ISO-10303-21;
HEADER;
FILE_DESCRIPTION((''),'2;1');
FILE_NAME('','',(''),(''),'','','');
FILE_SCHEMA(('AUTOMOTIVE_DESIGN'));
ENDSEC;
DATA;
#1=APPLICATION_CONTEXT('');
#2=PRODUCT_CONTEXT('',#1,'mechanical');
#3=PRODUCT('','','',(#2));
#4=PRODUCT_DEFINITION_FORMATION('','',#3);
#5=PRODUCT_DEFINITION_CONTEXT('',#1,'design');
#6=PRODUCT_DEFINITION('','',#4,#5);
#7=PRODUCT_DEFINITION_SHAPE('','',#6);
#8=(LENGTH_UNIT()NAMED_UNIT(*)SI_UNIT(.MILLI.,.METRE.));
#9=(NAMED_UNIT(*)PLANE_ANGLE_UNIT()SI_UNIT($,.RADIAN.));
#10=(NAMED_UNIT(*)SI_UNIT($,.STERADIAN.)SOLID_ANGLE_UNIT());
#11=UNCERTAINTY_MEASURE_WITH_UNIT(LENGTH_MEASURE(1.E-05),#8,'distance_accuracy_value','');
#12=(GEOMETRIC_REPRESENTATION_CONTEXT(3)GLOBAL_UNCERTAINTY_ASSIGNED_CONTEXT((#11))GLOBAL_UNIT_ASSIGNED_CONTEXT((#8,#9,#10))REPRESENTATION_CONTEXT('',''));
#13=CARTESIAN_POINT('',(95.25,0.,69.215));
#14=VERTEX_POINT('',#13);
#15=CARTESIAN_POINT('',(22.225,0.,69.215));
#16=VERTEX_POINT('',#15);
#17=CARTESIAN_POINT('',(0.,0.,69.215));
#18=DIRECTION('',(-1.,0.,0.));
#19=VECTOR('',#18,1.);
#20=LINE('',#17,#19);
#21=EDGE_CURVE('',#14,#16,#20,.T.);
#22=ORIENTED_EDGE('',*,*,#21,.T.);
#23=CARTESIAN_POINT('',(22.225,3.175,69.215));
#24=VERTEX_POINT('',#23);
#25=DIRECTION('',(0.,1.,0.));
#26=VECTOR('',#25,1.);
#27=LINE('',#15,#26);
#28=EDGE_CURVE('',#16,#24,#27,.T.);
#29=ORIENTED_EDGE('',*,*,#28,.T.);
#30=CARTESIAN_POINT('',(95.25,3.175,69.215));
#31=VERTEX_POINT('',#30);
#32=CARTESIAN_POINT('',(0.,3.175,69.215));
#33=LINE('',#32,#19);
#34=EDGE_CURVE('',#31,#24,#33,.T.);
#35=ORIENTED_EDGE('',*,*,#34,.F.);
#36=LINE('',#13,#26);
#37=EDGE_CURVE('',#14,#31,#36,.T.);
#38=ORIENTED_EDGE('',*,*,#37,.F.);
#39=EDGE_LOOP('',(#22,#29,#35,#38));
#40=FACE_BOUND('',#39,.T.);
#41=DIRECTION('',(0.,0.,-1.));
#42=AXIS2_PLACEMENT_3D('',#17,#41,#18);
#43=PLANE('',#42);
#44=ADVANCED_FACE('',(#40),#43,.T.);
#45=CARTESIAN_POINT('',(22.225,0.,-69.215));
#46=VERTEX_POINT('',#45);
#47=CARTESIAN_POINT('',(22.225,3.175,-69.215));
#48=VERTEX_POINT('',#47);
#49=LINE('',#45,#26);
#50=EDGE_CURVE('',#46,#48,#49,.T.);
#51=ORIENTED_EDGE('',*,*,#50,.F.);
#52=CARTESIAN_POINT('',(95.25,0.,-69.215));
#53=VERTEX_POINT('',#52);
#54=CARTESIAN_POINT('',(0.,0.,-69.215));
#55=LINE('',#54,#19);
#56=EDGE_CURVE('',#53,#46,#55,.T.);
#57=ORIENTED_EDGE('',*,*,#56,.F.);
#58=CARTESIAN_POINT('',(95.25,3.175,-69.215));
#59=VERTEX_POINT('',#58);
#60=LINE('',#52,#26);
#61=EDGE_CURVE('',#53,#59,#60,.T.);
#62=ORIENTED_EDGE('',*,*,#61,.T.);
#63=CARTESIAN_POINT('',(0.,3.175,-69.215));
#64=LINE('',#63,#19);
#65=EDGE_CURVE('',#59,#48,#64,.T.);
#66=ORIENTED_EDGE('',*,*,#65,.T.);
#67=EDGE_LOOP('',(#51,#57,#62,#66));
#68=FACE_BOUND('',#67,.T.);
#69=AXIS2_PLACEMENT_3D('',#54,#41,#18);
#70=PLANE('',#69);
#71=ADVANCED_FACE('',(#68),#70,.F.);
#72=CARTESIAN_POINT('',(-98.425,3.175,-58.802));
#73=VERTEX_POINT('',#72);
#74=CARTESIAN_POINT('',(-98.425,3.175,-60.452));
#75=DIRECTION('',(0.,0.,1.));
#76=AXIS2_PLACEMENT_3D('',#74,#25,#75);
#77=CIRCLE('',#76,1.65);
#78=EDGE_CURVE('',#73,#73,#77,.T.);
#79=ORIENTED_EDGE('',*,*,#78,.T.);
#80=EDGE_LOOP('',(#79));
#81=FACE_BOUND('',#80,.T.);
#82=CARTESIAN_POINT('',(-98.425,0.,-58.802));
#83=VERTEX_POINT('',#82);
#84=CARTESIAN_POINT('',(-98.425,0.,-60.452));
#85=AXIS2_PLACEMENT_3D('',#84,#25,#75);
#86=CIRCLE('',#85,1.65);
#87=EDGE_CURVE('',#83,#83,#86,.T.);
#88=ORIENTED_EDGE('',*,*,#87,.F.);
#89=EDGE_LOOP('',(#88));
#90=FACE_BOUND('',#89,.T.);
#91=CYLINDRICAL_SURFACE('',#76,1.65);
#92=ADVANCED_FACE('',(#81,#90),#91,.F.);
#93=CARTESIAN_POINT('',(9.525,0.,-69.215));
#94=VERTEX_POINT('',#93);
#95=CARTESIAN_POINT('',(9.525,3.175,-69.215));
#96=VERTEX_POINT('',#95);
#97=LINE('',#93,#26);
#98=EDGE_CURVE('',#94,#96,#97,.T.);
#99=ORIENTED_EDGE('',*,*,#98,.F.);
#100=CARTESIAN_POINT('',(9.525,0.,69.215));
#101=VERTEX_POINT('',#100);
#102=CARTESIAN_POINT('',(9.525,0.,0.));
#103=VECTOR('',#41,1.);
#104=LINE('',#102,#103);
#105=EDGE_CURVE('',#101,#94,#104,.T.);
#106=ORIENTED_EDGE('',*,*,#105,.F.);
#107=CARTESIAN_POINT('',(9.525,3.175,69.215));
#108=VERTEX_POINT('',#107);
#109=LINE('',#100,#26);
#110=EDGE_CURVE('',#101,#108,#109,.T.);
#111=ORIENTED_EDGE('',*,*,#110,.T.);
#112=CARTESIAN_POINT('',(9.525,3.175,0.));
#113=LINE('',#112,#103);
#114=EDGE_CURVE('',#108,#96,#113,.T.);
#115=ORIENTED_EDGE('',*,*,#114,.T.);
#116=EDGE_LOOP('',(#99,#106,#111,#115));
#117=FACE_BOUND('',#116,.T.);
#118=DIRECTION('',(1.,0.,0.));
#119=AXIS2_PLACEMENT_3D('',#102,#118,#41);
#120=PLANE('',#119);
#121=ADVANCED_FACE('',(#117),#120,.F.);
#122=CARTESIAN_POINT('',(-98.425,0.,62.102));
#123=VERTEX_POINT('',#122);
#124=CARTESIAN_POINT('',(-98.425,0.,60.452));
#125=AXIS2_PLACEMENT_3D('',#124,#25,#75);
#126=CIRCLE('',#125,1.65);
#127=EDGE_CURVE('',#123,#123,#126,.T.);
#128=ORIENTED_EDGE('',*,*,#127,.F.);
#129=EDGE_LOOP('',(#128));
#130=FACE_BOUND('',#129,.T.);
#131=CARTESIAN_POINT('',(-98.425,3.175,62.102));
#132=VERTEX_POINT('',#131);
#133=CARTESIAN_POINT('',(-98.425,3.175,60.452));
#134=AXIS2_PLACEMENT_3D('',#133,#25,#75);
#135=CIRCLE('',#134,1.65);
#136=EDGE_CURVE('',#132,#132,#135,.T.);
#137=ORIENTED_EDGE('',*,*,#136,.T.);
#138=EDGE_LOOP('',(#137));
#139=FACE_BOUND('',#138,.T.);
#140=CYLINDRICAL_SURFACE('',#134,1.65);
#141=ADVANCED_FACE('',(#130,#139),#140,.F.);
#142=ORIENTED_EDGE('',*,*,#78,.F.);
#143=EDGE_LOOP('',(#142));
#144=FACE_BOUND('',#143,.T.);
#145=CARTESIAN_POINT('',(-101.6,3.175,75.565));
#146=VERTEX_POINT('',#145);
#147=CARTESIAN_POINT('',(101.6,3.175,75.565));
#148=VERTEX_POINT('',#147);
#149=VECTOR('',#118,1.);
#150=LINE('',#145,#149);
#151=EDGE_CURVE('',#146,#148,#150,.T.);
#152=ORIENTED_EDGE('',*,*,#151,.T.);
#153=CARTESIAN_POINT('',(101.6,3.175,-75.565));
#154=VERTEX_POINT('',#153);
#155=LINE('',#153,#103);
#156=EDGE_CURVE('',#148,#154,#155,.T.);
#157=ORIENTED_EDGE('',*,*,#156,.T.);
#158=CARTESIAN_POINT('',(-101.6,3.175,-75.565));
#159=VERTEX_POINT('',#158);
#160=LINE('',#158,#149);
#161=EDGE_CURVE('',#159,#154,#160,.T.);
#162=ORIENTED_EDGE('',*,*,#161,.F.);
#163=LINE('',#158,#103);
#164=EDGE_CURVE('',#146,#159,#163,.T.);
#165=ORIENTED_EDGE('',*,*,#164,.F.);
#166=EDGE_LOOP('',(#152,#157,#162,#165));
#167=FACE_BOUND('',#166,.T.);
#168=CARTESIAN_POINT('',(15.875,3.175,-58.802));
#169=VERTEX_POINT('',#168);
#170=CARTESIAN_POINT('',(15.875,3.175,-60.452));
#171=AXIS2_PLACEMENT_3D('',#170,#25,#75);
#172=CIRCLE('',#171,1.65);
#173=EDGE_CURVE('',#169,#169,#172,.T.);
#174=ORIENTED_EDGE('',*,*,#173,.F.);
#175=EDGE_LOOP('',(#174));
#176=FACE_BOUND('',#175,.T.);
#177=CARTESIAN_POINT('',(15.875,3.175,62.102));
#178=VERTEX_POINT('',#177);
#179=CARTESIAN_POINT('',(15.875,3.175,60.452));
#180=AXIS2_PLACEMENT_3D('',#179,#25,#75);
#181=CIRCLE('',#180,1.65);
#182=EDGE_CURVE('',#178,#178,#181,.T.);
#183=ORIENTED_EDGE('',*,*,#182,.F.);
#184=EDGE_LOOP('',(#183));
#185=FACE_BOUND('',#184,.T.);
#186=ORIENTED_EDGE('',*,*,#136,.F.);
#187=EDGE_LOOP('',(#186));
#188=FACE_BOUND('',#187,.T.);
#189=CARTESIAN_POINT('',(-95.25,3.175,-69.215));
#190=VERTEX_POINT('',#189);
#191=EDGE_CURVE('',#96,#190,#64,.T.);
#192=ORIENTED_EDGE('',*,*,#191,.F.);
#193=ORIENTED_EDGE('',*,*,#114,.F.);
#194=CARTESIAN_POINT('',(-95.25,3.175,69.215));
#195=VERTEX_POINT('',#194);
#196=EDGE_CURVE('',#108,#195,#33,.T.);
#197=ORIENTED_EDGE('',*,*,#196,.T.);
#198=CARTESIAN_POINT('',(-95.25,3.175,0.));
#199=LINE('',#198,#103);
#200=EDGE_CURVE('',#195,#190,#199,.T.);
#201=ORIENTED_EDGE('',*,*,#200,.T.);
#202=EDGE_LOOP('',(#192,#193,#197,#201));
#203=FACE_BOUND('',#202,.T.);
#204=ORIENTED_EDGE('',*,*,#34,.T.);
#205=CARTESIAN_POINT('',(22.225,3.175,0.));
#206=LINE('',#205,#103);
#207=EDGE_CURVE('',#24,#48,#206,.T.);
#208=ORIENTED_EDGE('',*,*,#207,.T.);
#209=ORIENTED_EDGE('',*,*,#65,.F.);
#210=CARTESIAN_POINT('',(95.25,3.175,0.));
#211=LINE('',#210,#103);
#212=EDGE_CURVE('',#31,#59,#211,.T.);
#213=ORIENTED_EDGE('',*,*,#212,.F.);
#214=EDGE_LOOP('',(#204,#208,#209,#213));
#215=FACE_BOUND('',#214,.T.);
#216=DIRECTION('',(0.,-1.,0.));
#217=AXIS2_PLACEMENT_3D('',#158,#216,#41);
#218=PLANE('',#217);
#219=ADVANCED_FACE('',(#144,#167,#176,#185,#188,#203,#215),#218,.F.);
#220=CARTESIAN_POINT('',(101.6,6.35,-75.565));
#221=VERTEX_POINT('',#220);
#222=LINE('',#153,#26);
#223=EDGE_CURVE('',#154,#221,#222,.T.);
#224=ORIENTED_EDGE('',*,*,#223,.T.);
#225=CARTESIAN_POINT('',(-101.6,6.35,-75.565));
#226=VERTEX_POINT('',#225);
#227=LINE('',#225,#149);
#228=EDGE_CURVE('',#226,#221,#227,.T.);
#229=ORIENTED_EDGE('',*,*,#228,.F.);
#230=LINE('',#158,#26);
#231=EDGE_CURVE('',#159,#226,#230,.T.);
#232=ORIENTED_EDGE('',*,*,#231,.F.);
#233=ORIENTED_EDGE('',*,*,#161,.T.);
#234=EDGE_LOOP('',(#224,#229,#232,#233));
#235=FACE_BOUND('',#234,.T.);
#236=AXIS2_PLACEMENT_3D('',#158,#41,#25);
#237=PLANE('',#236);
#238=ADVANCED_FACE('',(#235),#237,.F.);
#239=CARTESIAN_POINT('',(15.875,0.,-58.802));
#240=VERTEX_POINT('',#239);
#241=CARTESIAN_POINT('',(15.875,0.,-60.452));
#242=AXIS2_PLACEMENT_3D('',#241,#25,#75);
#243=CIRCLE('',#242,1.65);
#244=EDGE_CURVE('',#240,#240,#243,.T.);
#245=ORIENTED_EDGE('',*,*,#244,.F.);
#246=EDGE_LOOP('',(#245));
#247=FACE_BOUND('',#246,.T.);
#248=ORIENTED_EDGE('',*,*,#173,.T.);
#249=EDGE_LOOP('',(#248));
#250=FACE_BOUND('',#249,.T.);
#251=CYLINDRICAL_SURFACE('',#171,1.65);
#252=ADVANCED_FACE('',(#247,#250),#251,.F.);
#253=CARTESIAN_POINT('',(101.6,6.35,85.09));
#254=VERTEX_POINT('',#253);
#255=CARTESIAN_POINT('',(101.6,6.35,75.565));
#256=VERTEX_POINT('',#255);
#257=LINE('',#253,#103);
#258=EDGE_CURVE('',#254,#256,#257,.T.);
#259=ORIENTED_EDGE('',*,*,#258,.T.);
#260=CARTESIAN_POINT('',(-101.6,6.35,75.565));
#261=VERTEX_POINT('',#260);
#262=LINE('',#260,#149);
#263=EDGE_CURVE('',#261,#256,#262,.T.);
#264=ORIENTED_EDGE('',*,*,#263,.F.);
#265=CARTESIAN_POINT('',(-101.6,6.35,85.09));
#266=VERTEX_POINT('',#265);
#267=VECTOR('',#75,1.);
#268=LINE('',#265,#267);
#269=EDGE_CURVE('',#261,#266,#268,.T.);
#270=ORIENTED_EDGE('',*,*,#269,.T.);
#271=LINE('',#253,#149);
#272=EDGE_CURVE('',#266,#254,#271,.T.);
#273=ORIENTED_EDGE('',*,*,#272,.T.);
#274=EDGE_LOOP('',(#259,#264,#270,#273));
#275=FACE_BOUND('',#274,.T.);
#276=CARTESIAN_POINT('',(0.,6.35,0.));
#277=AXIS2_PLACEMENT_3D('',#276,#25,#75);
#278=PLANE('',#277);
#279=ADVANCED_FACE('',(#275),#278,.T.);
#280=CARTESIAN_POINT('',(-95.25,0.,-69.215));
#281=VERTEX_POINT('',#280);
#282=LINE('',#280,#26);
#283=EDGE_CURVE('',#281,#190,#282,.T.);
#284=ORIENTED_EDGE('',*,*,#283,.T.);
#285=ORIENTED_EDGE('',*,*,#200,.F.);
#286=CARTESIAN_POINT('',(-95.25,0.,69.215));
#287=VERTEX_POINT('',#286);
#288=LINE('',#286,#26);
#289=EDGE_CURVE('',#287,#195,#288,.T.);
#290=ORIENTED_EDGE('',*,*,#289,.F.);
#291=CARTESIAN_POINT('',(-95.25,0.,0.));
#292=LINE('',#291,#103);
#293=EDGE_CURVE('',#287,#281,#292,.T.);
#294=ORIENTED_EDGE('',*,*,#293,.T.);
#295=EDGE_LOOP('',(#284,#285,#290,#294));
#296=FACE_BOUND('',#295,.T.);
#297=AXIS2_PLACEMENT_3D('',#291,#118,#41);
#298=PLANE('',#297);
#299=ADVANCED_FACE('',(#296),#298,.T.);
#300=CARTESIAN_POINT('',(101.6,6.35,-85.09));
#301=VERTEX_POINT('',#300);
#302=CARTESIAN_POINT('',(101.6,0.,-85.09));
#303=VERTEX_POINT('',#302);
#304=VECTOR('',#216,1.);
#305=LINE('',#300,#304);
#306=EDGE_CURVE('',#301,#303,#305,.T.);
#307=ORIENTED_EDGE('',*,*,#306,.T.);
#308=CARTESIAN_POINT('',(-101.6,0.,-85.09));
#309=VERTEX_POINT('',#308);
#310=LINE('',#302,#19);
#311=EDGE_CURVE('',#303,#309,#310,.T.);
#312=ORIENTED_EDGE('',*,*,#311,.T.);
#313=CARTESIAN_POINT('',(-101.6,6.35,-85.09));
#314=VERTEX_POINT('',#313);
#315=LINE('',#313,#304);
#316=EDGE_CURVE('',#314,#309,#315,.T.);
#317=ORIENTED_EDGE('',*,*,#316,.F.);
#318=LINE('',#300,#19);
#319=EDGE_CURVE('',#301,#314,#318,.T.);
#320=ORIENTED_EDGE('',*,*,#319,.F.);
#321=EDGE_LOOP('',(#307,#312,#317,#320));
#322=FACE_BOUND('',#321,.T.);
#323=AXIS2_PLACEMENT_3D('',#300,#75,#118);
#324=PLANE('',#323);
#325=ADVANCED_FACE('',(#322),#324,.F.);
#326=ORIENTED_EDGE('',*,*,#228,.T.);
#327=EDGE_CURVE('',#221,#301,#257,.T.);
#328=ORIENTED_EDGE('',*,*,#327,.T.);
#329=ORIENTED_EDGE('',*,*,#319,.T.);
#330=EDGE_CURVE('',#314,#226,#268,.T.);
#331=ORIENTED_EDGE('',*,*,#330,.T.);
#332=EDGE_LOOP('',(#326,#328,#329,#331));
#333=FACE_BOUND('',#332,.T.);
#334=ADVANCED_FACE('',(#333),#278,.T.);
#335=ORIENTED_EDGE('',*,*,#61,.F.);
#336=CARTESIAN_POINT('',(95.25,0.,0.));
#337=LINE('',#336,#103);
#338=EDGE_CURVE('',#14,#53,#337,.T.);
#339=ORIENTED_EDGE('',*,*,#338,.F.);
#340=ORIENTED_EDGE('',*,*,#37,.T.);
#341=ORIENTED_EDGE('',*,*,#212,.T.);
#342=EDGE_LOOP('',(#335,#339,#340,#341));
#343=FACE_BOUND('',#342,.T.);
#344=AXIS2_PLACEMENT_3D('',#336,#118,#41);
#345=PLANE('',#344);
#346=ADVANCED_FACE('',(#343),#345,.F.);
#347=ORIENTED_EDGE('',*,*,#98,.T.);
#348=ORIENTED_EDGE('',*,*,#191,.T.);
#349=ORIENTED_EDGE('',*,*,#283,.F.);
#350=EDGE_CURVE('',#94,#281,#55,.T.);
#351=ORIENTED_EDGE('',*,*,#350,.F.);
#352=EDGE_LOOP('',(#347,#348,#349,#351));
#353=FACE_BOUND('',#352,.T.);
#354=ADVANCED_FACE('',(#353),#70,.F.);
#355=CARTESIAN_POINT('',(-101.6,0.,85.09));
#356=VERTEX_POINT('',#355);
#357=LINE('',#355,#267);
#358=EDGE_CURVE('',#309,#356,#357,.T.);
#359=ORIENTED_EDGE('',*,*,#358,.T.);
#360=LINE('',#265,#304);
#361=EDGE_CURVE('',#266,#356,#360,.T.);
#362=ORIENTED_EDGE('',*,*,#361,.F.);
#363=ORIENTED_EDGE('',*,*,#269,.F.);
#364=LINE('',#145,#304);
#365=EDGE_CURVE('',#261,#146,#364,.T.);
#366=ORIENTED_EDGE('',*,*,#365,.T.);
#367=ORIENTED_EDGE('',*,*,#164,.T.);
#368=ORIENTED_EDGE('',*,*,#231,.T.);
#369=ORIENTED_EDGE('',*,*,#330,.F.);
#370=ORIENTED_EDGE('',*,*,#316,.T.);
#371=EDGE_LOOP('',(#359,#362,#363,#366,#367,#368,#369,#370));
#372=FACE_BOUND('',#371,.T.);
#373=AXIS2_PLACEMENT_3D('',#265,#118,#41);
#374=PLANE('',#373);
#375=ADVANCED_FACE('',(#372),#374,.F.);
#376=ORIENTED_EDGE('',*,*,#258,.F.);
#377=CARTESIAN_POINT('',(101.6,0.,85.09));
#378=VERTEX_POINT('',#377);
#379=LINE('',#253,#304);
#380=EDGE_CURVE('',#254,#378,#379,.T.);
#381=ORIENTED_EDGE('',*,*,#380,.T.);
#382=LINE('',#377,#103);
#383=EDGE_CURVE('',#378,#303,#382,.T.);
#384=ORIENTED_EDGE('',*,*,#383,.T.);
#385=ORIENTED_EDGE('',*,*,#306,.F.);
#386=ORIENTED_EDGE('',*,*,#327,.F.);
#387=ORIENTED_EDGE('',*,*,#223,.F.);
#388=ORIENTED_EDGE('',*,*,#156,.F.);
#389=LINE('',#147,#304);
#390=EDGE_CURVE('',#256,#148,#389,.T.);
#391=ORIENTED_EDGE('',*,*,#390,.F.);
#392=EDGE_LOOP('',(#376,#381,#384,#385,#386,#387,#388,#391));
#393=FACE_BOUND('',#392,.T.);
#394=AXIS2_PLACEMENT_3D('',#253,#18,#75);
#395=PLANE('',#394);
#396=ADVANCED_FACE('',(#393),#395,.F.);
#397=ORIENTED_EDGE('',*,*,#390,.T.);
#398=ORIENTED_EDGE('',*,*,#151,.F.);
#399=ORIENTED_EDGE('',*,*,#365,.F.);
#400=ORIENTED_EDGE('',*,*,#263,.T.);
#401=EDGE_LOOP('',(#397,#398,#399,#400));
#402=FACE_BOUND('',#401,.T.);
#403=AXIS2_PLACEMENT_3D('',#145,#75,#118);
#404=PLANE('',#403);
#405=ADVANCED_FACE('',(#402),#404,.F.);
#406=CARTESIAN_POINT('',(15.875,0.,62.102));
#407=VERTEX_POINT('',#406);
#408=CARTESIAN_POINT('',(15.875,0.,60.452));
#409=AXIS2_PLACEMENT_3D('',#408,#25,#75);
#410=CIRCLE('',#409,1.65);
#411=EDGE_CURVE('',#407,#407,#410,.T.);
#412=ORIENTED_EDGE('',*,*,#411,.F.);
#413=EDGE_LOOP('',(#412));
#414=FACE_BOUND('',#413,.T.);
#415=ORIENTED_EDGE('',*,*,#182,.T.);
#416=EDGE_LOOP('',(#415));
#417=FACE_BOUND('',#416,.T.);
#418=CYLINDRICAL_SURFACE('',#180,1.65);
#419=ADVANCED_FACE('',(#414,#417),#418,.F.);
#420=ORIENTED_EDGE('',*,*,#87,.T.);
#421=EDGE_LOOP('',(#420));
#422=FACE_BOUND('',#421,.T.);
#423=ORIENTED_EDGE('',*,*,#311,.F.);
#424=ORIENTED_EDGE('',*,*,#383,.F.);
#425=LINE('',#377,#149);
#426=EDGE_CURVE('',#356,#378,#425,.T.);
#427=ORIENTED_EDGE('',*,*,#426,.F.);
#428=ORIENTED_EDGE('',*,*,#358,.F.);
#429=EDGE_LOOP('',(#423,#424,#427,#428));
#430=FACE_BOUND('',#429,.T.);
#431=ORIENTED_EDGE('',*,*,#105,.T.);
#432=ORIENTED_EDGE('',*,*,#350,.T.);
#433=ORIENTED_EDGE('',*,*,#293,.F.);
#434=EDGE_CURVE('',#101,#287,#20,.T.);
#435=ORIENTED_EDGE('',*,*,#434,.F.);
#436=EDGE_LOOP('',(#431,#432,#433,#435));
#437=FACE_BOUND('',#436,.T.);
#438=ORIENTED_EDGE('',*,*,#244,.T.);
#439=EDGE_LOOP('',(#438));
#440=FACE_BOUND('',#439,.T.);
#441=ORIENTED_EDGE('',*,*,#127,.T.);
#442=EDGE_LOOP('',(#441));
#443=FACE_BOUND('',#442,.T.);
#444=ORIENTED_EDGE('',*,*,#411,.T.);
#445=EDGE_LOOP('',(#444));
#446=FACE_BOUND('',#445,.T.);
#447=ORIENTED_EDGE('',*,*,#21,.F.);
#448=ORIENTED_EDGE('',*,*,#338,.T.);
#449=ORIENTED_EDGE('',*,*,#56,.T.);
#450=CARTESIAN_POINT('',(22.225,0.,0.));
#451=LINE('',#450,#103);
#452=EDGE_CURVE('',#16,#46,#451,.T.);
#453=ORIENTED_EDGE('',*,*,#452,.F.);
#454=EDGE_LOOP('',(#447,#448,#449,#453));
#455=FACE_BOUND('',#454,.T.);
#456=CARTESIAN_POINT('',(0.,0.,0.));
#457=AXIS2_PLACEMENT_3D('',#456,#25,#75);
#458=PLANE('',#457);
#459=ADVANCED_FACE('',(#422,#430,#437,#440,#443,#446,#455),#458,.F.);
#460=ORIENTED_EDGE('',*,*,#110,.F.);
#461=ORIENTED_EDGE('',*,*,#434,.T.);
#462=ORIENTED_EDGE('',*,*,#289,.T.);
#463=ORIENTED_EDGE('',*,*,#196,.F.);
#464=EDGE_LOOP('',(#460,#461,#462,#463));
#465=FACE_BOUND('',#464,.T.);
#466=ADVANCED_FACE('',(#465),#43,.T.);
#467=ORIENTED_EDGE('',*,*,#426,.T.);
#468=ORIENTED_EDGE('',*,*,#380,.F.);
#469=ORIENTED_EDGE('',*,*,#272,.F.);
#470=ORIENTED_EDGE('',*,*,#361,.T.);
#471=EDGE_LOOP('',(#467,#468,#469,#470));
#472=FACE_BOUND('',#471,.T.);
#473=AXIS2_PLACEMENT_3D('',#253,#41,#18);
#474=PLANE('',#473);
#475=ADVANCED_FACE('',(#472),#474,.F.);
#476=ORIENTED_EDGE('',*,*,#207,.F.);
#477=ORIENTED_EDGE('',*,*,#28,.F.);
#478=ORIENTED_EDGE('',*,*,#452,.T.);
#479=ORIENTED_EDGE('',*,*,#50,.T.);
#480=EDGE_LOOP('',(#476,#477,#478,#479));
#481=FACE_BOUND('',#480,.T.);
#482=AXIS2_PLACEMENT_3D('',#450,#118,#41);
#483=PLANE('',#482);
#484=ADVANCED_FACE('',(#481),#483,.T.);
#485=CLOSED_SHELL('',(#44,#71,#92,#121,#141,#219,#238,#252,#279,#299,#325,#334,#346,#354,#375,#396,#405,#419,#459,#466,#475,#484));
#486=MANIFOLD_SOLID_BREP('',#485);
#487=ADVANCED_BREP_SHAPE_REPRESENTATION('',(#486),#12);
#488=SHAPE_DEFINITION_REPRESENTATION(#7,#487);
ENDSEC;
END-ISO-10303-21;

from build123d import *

# Parameters (mm, degrees)
SKETCH1_W                 = 203.2
SKETCH1_H                 = 170.18
BOSS_EXTRUDE1_DEPTH       = 6.35
SKETCH3_W                 = 151.13
SKETCH3_H                 = 3.175
CUT_EXTRUDE1_DEPTH        = 204.2
SKETCH4_W                 = 104.775
SKETCH4_H                 = 138.43
SKETCH4_W_2               = 73.025
CUT_EXTRUDE3_DEPTH        = 4.175
M4X0_7_TAPPED_HOLE1_D     = 3.3
M4X0_7_TAPPED_HOLE1_DEPTH = 9.906


with BuildPart() as part:
    # Sketch1 → Boss-Extrude1 (new body)
    with BuildSketch(Plane(origin=(0, 0, 0), x_dir=(1, 0, 0), z_dir=(0, 1, 0))):
        Rectangle(SKETCH1_W, SKETCH1_H)
    extrude(amount=BOSS_EXTRUDE1_DEPTH)

    # Sketch3 → Cut-Extrude1 (cut, through all)
    with BuildSketch(Plane(origin=(101.6, 0, 0), x_dir=(0, 0, -1), z_dir=(1, 0, 0))):
        with Locations((0, 4.7625)):
            Rectangle(SKETCH3_W, SKETCH3_H)
    extrude(amount=-CUT_EXTRUDE1_DEPTH, mode=Mode.SUBTRACT)

    # Sketch4 → Cut-Extrude3 (cut, through all)
    with BuildSketch(Plane(origin=(0, 3.175, 0), x_dir=(1, 0, 0), z_dir=(0, 1, 0))):
        with Locations((-42.8625, 0)):
            Rectangle(SKETCH4_W, SKETCH4_H)
        with Locations((58.7375, 0)):
            Rectangle(SKETCH4_W_2, SKETCH4_H)
    extrude(amount=-CUT_EXTRUDE3_DEPTH, mode=Mode.SUBTRACT)

    # M4x0.7 Tapped Hole1
    with Locations(Plane(origin=(0, 3.175, 0), x_dir=(1, 0, 0), z_dir=(0, 1, 0))):
        with Locations((-98.425, -60.452), (-98.425, 60.452), (15.875, 60.452), (15.875, -60.452)):
            Hole(M4X0_7_TAPPED_HOLE1_D / 2, depth=M4X0_7_TAPPED_HOLE1_DEPTH)


solid = part.part
